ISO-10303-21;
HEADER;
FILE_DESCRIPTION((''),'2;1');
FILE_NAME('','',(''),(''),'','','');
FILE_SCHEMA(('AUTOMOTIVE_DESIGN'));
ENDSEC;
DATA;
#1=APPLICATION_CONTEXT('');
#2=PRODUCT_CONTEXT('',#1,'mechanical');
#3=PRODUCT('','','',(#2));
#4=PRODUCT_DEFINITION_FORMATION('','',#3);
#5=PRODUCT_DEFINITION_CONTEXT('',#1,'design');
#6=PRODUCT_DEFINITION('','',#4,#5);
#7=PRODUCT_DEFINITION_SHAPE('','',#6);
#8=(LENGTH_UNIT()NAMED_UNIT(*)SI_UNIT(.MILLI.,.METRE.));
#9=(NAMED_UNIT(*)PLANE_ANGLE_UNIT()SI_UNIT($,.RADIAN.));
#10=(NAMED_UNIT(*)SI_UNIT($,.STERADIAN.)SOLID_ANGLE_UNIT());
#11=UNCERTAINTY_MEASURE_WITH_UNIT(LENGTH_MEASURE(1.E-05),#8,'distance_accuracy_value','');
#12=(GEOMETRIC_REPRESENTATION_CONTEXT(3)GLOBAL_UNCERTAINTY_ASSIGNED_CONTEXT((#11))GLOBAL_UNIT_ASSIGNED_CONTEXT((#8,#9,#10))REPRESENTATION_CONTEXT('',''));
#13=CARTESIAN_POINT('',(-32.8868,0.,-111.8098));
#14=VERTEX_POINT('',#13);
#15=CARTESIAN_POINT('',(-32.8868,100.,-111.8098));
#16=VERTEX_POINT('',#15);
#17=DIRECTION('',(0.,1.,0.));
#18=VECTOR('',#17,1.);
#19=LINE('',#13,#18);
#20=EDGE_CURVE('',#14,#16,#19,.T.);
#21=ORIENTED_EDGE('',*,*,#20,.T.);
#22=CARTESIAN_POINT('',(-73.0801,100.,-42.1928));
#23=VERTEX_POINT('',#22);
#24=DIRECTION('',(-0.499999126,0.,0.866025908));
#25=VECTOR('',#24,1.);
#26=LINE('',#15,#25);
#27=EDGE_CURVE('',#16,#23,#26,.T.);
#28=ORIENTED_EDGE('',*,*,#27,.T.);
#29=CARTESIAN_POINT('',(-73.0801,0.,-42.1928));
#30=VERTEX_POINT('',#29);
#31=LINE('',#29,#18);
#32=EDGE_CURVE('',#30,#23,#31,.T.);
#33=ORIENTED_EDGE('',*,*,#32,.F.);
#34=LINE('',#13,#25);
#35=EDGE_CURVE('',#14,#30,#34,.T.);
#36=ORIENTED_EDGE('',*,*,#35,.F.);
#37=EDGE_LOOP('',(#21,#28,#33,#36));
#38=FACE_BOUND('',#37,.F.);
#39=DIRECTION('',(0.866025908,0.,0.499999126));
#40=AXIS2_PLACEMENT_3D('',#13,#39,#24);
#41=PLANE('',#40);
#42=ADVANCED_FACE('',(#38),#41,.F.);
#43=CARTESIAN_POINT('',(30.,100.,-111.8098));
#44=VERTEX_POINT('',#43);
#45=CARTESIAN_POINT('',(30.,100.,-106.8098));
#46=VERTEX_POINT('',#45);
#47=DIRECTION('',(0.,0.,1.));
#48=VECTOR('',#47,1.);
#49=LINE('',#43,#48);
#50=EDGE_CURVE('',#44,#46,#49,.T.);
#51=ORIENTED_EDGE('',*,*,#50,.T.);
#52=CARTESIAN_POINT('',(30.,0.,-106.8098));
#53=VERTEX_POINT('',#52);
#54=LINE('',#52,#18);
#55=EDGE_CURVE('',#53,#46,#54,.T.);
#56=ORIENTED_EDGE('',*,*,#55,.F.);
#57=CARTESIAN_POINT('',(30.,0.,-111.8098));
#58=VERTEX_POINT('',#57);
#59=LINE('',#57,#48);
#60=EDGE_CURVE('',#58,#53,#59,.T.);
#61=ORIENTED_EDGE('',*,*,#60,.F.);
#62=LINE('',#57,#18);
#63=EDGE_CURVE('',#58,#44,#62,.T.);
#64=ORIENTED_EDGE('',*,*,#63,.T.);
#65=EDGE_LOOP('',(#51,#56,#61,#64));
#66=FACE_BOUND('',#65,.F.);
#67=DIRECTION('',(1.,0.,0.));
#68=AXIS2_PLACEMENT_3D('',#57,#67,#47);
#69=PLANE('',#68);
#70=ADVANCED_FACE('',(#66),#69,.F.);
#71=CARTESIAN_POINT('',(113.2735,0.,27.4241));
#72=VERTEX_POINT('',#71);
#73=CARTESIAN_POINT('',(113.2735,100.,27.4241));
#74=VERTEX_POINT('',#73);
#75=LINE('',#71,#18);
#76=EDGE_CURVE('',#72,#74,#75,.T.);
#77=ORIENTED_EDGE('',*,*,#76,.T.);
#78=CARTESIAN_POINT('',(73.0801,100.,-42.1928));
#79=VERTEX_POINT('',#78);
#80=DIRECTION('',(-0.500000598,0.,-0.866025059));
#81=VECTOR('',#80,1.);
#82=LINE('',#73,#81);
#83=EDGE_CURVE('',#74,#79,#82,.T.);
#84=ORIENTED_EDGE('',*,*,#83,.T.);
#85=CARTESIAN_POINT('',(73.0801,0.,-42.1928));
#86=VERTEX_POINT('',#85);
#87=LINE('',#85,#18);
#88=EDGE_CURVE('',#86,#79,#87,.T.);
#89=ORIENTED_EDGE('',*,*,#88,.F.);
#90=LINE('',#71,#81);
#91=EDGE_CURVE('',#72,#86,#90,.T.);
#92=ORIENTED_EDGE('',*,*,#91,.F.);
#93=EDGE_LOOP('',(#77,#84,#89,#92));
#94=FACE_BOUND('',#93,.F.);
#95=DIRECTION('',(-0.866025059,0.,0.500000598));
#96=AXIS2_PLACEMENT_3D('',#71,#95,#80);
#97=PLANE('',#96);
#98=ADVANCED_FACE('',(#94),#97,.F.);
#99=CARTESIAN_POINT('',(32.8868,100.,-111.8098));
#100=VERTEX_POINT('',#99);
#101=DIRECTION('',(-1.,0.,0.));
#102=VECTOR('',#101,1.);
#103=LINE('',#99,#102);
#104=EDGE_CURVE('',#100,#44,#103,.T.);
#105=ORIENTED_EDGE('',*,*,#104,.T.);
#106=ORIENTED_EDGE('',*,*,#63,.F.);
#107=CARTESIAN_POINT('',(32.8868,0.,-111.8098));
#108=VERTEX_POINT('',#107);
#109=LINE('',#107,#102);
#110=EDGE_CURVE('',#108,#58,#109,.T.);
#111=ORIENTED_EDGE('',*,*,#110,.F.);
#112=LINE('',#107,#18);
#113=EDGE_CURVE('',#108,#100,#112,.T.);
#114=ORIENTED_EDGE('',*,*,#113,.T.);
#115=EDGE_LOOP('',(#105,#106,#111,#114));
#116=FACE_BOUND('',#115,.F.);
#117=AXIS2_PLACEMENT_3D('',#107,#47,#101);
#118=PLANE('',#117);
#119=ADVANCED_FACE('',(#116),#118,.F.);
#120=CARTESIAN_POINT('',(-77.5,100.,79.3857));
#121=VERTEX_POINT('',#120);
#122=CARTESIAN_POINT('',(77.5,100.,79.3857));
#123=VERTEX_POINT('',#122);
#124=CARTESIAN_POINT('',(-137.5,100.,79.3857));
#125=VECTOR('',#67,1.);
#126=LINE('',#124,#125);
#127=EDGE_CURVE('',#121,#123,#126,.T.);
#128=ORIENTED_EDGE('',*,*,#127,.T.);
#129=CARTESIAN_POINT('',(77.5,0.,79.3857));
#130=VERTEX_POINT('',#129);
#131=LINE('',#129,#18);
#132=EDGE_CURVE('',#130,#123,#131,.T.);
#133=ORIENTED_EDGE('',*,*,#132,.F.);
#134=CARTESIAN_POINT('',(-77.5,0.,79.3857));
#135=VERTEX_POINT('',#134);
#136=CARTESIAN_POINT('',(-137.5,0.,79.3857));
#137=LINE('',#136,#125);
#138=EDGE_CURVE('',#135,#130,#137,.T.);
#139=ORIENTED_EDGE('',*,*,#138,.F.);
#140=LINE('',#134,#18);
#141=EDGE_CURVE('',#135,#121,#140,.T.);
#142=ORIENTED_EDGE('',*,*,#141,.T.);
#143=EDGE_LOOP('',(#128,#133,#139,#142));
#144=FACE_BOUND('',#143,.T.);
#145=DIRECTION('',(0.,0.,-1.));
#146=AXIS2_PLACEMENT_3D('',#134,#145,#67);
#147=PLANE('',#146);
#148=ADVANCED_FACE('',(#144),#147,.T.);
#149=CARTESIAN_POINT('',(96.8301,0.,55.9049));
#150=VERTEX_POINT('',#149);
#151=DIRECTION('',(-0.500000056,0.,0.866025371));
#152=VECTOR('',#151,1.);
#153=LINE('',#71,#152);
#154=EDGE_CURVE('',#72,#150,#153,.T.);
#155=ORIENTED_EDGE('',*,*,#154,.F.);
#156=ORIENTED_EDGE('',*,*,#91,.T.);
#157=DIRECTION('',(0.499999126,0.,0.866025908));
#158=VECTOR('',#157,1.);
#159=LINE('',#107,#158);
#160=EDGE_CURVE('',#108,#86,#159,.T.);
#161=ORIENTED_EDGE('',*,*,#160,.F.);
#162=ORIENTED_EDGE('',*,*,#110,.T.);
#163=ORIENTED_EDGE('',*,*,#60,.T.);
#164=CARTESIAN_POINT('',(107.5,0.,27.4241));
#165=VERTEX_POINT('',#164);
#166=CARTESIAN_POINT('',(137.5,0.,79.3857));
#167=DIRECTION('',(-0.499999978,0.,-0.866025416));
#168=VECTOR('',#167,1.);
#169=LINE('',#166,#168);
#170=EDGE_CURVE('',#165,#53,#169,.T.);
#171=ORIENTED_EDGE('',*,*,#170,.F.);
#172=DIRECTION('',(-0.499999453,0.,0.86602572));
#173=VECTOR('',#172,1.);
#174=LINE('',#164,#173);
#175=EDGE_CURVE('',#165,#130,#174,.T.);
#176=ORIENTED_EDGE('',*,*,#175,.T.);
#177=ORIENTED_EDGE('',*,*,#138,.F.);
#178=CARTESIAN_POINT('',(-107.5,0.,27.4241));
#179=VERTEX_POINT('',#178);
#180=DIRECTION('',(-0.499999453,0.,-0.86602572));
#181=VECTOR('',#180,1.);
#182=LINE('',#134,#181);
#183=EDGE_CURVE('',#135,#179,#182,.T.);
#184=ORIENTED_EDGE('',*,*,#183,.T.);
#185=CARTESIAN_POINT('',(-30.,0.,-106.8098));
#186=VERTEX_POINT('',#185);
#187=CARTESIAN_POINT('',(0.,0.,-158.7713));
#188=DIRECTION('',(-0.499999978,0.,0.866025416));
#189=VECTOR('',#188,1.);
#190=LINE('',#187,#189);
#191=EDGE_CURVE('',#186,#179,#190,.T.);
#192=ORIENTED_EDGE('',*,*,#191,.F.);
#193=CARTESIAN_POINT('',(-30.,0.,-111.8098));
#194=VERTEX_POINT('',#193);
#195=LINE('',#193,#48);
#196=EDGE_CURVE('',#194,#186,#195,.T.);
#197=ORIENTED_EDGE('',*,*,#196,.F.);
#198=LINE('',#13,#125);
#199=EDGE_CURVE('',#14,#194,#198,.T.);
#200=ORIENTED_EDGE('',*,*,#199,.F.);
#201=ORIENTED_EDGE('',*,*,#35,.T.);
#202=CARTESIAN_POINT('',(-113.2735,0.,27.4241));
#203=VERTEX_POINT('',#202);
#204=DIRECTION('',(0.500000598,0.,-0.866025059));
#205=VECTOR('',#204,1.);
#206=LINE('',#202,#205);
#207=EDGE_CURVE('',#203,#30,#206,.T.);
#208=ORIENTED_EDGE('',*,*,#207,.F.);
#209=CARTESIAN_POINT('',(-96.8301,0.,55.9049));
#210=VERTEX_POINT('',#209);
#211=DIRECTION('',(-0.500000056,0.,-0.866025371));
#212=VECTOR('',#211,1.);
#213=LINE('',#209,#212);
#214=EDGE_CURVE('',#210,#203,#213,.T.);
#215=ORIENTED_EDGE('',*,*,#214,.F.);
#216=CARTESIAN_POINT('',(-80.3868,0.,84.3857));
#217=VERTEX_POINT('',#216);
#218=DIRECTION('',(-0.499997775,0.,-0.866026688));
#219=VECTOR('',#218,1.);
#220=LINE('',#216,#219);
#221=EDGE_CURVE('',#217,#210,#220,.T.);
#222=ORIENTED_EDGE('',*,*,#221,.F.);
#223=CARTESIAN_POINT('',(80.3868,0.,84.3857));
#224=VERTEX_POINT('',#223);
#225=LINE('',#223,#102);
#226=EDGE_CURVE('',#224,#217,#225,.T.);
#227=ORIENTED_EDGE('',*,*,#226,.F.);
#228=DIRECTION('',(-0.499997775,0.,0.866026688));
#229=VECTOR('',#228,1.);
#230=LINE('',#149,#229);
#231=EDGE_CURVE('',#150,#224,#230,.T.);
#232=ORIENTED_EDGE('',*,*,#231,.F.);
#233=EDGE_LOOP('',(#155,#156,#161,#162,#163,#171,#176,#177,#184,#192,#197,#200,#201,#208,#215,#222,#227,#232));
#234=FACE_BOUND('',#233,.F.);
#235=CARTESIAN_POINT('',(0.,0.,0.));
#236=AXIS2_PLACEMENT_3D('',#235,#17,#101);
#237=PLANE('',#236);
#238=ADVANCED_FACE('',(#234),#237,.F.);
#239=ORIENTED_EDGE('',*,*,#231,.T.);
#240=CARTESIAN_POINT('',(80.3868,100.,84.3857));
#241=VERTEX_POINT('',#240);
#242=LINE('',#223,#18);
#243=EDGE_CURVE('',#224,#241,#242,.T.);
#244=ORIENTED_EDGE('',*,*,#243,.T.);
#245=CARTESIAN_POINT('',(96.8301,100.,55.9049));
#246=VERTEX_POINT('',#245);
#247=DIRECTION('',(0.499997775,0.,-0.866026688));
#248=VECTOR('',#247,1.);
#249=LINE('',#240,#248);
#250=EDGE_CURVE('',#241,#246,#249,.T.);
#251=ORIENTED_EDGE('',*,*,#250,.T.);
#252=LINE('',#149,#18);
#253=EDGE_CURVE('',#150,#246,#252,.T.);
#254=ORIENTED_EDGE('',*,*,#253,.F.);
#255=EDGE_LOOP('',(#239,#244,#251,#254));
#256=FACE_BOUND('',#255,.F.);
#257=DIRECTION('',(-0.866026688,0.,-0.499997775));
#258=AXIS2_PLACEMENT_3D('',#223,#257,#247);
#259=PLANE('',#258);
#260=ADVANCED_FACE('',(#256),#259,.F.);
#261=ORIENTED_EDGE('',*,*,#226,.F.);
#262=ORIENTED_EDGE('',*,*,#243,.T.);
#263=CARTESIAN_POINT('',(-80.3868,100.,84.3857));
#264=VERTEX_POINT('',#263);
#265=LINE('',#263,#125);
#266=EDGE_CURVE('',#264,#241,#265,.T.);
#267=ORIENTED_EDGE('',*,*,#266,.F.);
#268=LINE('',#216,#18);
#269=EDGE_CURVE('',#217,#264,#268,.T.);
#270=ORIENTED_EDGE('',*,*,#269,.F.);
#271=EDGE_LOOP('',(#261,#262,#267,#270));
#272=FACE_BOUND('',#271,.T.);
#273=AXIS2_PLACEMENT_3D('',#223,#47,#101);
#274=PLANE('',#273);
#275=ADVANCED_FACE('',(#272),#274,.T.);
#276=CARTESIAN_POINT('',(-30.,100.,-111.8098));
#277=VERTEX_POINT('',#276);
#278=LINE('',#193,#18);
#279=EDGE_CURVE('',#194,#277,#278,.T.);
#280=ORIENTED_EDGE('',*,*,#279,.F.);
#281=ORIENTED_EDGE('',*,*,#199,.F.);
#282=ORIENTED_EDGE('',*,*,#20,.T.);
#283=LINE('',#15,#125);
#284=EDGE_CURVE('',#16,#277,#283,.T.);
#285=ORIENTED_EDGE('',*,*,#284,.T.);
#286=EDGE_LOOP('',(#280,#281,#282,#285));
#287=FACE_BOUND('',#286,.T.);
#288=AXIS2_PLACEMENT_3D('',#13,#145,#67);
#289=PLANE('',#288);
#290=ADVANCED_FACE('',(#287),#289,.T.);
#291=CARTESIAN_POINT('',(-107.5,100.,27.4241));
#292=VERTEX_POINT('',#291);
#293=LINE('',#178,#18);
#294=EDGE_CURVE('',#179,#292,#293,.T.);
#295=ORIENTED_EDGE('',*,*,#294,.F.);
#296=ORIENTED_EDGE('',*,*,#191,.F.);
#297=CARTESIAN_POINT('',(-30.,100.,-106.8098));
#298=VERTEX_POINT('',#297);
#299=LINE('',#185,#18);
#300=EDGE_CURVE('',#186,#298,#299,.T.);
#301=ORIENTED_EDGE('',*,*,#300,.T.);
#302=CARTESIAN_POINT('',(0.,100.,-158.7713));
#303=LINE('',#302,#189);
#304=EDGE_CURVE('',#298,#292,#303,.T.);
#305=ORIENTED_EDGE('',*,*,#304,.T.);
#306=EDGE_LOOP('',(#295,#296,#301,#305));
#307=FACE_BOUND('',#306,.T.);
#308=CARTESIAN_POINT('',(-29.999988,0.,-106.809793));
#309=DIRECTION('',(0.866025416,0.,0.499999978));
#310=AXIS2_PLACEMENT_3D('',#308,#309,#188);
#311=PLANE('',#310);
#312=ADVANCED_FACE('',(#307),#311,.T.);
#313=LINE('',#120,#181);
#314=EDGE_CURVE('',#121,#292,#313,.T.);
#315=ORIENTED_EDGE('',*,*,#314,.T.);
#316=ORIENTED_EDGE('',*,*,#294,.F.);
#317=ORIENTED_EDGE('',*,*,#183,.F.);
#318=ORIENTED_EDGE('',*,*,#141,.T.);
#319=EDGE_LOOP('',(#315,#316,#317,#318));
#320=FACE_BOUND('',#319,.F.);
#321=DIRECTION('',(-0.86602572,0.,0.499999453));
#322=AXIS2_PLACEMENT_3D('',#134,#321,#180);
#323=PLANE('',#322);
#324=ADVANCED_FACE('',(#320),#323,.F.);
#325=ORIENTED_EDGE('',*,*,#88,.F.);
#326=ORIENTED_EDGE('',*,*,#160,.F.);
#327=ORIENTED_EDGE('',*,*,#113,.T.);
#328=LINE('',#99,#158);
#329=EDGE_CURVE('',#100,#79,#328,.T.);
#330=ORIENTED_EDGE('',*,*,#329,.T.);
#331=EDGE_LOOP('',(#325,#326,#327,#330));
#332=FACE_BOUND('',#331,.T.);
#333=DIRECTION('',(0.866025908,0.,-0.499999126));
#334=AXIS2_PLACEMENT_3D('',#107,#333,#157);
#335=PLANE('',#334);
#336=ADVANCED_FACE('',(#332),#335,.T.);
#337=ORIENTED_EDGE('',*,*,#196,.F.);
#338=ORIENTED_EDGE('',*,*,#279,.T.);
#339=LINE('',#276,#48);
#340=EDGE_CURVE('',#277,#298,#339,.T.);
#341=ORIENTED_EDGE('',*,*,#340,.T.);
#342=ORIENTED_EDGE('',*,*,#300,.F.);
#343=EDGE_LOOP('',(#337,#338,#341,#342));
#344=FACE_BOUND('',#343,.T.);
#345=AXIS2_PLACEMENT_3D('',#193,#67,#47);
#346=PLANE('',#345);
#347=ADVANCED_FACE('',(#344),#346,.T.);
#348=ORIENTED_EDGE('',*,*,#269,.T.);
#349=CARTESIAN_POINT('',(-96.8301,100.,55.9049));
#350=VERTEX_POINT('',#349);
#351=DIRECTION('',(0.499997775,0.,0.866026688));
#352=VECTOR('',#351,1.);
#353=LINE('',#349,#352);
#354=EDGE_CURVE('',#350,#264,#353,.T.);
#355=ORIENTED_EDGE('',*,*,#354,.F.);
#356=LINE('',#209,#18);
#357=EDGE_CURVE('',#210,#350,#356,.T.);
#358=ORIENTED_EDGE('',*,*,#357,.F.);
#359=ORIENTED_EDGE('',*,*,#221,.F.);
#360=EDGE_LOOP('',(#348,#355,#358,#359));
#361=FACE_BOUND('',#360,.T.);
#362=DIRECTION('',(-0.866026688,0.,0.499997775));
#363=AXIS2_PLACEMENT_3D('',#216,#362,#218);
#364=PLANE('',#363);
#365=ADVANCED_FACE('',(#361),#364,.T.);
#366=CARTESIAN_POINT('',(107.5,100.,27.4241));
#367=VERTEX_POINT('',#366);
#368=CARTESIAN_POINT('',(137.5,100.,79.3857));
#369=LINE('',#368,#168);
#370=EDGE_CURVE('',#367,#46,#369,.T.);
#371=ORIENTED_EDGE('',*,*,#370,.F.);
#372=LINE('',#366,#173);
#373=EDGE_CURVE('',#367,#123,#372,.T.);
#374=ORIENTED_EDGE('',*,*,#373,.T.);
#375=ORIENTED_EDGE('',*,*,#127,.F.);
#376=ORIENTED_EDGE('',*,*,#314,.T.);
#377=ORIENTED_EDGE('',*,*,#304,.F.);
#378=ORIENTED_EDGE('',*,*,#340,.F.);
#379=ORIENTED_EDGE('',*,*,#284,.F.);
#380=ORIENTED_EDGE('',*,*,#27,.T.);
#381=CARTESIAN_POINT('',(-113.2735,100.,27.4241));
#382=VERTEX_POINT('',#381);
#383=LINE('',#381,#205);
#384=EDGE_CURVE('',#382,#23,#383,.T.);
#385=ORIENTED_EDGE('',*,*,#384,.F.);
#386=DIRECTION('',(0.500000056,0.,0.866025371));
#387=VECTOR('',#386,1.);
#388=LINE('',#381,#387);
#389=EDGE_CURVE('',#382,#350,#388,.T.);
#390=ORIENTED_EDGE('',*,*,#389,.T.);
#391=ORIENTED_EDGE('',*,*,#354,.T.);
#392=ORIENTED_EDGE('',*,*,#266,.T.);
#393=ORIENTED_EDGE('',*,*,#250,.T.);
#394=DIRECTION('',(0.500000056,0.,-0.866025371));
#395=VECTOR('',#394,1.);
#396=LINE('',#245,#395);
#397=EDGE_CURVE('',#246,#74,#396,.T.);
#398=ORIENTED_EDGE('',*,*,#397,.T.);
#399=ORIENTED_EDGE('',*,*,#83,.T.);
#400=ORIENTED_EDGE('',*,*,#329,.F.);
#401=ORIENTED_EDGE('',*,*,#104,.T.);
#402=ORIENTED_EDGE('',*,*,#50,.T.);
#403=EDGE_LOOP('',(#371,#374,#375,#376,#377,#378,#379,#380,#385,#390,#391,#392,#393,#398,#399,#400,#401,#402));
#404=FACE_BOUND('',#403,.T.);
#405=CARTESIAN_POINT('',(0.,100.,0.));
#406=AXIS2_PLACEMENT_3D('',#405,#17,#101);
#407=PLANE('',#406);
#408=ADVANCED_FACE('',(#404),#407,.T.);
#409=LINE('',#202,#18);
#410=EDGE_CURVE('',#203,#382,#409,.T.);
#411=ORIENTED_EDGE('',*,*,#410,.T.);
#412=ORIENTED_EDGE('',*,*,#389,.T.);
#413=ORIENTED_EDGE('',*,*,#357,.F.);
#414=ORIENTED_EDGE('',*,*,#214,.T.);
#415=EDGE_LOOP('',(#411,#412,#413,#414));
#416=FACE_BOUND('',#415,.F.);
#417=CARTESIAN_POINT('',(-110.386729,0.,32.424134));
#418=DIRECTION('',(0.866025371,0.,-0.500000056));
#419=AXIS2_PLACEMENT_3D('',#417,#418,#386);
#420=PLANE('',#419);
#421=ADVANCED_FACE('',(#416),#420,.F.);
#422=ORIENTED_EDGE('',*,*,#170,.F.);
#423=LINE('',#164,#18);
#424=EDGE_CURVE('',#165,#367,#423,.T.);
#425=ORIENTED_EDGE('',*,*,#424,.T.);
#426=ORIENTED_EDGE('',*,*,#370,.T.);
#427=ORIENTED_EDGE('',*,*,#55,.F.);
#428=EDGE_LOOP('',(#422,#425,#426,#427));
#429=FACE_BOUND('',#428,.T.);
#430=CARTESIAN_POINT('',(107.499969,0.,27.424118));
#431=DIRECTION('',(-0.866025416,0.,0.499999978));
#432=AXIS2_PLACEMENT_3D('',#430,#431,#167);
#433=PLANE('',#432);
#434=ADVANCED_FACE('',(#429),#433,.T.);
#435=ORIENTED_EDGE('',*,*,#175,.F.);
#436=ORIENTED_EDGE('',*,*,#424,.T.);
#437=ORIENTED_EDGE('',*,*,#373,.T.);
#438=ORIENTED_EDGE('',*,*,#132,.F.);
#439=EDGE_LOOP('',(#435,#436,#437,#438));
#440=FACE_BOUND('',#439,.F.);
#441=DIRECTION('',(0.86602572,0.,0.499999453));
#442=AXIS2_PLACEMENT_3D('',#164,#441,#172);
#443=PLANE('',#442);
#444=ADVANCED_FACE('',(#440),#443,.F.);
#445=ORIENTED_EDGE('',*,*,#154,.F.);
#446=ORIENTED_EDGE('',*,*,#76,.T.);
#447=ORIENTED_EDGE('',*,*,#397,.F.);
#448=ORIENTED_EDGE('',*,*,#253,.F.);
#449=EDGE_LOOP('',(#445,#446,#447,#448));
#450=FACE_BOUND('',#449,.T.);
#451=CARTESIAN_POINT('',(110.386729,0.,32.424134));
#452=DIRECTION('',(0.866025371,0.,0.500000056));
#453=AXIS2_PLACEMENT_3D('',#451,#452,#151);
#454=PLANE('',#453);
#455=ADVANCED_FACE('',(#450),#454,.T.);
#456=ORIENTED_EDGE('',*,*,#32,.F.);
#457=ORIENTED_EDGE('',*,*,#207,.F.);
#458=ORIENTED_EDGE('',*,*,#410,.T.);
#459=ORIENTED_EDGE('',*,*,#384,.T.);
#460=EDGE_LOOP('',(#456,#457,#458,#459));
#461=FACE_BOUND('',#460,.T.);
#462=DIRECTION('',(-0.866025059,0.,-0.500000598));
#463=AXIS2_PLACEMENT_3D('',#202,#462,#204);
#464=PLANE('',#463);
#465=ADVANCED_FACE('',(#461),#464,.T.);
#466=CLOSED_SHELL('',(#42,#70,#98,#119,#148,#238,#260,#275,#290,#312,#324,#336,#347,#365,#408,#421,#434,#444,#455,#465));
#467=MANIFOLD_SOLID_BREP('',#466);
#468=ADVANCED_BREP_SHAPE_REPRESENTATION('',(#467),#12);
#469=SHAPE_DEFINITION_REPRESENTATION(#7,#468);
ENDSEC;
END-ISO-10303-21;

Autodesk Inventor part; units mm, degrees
ref_plane "YZ Plane" through (0, 0, 0) normal (1, 0, 0) x (0, 1, 0)
ref_plane "XZ Plane" through (0, 0, 0) normal (0, 1, 0) x (-1, 0, 0)
ref_plane "XY Plane" through (0, 0, 0) normal (0, 0, 1) x (1, 0, 0)
sketch "スケッチ1" plane through (0, 0, 0) normal (0, 1, 0) x (-1, 0, 0)
  line L0 (137.5, 79.3857) -> (-137.5, 79.3857)
  line L1 (-137.5, 79.3857) -> (0, -158.7713)
  line L2 (0, -158.7713) -> (137.5, 79.3857)
  line L3 (137.5, 79.3857) -> (-68.75, -39.6928) construction
  line L4 (77.5, 79.3857) -> (107.5, 27.4241)
  line L5 (-107.5, 27.4241) -> (-77.5, 79.3857)
  line L6 (30, -106.8098) -> (-30, -106.8098)
  line L7 (80.3868, 84.3857) -> (0, 84.3857)
  line L8 (80.3868, 84.3857) -> (96.8301, 55.9049)
  line L9 (0, 0) -> (0, 84.3857) construction
  line L10 (-80.3868, 84.3857) -> (0, 84.3857)
  line L11 (-80.3868, 84.3857) -> (-96.8301, 55.9049)
  line L12 (-113.2735, 27.4241) -> (-96.8301, 55.9049)
  line L13 (-113.2735, 27.4241) -> (-73.0801, -42.1928)
  line L14 (-32.8868, -111.8098) -> (-73.0801, -42.1928)
  line L15 (-32.8868, -111.8098) -> (0, -111.8098)
  line L16 (32.8868, -111.8098) -> (0, -111.8098)
  line L17 (32.8868, -111.8098) -> (73.0801, -42.1928)
  line L18 (113.2735, 27.4241) -> (73.0801, -42.1928)
  line L19 (113.2735, 27.4241) -> (96.8301, 55.9049)
  line L20 (30, -111.8098) -> (30, -106.8098)
  line L21 (-30, -111.8098) -> (-30, -106.8098)
  line L22 (-30, -106.8098) -> (30, -106.8098)
  point P0 (-30, -106.8098)
  point P1 (-107.5, 27.4241)
  point P2 (-77.5, 79.3857)
  point P3 (30, -106.8098)
  dimension "d0" = 275
  dimension "d1" = 60
  dimension "d4" = 360
  dimension "d6" = 5
  dimension "d7" = 5
  dimension "d10" = 360
extrude "押し出し1" add sketch "スケッチ1" along normal blind 100 contours L0 L11 L10 L7 L8 | L0 L8 L19 L2 L4 | L5 L1 L12 L11 L0 | L2 L19 L18 L17 L16 L20 | L1 L21 L15 L14 L13 L12
properties part number "base_cover"
